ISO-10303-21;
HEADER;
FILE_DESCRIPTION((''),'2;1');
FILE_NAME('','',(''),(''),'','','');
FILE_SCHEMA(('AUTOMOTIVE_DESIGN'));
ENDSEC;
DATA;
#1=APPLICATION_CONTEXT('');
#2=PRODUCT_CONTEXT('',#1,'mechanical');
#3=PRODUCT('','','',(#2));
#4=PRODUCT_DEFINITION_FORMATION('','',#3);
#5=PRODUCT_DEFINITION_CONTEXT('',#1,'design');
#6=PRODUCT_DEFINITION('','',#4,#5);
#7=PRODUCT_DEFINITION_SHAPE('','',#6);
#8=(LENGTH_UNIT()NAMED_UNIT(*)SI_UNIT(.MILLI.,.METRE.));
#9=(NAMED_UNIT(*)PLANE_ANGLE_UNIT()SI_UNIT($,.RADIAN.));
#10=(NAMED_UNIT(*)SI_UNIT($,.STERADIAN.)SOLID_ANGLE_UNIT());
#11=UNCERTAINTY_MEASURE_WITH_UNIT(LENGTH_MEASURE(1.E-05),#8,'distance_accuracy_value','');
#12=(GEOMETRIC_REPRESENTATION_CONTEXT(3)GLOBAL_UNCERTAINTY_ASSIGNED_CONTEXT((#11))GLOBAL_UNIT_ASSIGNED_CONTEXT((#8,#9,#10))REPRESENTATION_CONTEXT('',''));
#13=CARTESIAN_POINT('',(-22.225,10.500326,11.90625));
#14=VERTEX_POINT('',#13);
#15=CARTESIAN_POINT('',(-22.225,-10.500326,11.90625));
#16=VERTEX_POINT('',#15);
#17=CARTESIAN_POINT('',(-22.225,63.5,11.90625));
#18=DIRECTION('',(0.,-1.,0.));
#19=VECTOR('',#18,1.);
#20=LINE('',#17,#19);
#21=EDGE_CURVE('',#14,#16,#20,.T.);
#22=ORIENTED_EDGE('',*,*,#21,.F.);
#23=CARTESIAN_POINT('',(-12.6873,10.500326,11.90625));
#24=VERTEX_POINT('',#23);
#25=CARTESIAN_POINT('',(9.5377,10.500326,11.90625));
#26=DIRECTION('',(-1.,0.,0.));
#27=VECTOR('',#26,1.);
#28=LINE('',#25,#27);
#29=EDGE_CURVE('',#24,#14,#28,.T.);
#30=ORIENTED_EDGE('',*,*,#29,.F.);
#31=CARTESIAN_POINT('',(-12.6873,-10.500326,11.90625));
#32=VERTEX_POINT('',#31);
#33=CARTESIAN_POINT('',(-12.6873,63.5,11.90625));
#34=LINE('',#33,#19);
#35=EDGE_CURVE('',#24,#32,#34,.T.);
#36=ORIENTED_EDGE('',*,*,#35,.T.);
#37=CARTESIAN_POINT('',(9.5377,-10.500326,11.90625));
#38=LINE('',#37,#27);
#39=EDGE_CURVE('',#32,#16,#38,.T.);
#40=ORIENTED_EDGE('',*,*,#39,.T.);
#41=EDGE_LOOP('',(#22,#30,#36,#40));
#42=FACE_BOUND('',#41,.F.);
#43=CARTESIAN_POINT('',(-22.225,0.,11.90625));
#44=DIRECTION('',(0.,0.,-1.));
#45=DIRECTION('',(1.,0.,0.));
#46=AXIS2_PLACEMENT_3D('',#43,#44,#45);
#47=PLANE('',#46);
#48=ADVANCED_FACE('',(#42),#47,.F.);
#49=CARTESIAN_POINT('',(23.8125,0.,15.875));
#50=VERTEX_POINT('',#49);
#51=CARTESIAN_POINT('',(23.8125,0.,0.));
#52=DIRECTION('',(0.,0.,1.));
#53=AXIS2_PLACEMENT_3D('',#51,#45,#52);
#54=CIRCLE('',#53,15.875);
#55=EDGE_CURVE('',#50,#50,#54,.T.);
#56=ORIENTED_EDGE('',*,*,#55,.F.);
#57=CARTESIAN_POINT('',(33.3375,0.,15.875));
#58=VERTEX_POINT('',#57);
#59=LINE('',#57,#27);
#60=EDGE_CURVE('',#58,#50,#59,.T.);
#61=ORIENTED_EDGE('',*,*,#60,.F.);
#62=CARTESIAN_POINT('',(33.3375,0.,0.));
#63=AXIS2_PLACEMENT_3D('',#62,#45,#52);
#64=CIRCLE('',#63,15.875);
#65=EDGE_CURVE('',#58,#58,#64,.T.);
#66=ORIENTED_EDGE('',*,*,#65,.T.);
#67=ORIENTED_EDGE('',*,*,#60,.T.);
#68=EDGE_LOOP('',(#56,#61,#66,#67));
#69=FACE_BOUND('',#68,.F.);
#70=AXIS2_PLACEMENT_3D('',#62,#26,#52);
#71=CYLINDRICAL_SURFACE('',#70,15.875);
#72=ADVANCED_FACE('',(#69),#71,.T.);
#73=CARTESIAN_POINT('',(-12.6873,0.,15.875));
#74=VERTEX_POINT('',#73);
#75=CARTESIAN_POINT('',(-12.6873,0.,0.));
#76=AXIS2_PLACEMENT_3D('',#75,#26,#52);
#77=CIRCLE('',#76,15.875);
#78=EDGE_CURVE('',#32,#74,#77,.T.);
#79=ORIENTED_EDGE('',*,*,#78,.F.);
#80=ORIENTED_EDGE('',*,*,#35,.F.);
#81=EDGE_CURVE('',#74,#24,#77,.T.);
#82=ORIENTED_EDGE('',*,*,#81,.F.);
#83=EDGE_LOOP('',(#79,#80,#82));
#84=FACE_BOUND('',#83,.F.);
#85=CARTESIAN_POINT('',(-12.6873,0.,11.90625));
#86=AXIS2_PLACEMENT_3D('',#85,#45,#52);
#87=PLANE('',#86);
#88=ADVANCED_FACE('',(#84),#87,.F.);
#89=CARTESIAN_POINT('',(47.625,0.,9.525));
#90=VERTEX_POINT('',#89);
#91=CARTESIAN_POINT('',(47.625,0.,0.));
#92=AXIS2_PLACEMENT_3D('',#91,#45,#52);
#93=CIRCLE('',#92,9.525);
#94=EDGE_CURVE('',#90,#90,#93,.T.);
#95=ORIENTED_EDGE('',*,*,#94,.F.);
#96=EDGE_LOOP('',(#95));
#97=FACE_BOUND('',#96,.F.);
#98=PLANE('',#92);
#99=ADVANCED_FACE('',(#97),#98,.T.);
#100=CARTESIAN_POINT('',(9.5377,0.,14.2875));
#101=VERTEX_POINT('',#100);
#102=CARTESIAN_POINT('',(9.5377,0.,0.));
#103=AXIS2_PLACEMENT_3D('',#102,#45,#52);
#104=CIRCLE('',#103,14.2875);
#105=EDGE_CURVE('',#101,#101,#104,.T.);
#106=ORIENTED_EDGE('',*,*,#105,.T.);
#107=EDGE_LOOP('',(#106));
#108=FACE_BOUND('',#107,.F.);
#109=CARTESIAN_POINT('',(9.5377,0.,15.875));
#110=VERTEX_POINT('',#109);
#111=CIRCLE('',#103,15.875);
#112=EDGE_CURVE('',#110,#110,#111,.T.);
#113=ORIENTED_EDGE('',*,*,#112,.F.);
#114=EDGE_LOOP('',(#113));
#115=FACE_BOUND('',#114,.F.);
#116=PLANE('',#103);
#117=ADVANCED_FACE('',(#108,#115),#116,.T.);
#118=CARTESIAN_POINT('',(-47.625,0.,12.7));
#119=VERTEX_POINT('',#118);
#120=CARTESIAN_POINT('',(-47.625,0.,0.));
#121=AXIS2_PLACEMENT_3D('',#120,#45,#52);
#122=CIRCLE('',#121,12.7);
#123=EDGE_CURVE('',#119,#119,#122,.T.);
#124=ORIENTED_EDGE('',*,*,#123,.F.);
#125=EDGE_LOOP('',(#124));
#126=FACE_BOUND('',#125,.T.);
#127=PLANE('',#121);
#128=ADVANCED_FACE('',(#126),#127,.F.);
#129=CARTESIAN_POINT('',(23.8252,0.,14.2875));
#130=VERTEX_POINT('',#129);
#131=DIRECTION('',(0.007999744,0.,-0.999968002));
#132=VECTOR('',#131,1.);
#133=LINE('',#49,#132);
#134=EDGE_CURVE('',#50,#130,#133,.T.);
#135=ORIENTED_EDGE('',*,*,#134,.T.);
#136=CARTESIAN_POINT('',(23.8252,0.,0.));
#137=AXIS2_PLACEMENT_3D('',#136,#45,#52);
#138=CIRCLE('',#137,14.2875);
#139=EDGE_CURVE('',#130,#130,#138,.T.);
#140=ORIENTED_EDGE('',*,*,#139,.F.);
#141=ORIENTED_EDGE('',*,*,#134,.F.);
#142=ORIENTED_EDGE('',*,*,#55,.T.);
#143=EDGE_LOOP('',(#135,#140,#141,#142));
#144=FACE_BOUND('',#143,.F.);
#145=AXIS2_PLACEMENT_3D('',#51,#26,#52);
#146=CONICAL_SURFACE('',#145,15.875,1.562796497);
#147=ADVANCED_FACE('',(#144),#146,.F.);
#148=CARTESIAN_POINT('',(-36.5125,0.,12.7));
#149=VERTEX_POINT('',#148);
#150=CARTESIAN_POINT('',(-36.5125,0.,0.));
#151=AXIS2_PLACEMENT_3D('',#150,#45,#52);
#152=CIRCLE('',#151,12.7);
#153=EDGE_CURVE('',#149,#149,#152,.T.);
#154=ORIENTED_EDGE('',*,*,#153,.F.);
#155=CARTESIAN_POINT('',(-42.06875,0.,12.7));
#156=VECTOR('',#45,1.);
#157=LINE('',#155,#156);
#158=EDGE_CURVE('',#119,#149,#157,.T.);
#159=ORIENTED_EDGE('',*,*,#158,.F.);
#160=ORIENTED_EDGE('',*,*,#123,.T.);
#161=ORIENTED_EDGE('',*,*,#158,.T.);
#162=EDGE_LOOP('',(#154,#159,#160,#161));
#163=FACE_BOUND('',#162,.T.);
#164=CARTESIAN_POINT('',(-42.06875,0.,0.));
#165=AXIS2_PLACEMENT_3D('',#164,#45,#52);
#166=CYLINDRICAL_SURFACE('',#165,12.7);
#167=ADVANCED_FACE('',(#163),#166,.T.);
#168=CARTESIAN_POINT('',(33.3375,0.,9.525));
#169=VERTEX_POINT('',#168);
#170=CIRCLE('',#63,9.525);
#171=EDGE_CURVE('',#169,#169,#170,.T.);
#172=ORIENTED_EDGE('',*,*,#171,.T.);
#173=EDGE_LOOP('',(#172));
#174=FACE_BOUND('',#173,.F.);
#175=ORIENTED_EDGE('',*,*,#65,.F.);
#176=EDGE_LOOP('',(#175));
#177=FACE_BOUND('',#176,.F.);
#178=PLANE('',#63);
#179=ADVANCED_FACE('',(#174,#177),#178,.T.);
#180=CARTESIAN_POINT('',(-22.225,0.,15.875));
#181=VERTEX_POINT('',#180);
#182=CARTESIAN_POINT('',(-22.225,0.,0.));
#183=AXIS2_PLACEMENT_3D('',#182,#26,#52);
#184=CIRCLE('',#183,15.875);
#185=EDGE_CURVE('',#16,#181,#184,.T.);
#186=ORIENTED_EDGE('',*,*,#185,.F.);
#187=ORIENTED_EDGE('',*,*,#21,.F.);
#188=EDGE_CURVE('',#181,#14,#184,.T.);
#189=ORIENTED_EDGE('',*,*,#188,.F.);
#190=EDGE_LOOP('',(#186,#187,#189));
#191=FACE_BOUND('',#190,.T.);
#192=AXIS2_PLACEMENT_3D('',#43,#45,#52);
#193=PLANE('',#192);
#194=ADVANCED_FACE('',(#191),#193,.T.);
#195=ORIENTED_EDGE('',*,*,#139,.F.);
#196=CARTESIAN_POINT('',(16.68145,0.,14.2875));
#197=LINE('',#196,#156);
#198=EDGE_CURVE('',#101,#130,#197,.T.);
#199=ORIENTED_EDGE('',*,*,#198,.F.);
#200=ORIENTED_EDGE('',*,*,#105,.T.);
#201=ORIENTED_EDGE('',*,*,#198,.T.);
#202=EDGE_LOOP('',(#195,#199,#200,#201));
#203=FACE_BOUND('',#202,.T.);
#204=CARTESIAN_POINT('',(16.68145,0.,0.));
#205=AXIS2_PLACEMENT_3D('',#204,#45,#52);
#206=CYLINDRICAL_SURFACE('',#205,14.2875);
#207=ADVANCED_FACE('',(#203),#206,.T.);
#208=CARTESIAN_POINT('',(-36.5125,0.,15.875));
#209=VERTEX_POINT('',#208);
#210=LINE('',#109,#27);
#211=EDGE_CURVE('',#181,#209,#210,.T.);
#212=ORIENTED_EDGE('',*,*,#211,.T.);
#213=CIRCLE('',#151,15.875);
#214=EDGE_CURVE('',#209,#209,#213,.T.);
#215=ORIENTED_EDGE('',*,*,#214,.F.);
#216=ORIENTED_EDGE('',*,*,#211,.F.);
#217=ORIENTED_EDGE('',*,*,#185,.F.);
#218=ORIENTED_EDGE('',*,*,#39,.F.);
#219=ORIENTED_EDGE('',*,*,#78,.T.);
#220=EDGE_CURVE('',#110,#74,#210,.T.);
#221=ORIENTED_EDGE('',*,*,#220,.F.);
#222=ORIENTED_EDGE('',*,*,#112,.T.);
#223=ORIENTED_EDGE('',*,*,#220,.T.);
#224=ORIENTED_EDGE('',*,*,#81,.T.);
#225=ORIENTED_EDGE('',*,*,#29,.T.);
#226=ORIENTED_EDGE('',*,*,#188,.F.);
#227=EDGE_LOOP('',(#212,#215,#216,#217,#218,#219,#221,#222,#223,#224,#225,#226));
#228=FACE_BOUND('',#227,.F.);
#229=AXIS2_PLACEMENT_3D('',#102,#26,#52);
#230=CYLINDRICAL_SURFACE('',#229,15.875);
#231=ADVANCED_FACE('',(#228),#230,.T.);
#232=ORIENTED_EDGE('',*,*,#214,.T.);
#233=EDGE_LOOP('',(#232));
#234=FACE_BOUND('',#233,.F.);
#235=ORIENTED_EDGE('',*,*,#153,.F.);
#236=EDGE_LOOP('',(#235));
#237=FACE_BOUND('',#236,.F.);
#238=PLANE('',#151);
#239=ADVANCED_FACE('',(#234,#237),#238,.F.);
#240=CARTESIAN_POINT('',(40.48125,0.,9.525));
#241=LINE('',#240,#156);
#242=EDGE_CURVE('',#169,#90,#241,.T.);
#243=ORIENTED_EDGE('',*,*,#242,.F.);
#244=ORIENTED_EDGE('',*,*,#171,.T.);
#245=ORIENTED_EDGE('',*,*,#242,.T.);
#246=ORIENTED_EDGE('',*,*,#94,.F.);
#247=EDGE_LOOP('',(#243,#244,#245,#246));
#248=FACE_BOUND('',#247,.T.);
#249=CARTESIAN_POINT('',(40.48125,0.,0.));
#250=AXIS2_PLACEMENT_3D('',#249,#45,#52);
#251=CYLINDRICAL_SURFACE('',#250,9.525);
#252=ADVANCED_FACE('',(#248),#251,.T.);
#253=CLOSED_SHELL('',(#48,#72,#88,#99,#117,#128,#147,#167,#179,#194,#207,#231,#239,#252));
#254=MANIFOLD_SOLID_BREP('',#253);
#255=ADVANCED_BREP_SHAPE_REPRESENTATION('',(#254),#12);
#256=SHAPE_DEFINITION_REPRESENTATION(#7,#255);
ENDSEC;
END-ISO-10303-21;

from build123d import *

# Parameters (mm, degrees)
F0_W     = 11.1125
F0_H     = 12.7
F0_W_2   = 14.2875
F0_H_2   = 14.2875
F0_H_3   = 9.525
F2_W     = 9.5377
F2_H     = 23.704022
F3_DEPTH = 63.5


with BuildPart() as f1:
    # F0 (on Front) → F1 (revolve)
    with BuildSketch(Plane.XZ):
        with Locations((-42.06875, 6.35)):
            Rectangle(F0_W, F0_H)
        Polygon((-36.5125, 12.7), (-36.5125, 0), (9.5377, 0), (9.5377, 14.2875), (9.5377, 15.875), (-36.5125, 15.875), align=None)
        with Locations((16.68145, 7.14375)):
            Rectangle(F0_W_2, F0_H_2)
        Polygon((23.8252, 14.2875), (23.8252, 0), (33.3375, 0), (33.3375, 9.525), (33.3375, 15.875), (23.8125, 15.875), align=None)
        with Locations((40.48125, 4.7625)):
            Rectangle(F0_W_2, F0_H_3)
    revolve(axis=Axis((0, 0, 0), (1, 0, 0)))

    # F2 (on Front) → F3 (cut, symmetric)
    with BuildSketch(Plane.XZ):
        with Locations((-17.45615, 23.758261)):
            Rectangle(F2_W, F2_H)
    extrude(amount=F3_DEPTH, both=True, mode=Mode.SUBTRACT)


solid = f1.part
